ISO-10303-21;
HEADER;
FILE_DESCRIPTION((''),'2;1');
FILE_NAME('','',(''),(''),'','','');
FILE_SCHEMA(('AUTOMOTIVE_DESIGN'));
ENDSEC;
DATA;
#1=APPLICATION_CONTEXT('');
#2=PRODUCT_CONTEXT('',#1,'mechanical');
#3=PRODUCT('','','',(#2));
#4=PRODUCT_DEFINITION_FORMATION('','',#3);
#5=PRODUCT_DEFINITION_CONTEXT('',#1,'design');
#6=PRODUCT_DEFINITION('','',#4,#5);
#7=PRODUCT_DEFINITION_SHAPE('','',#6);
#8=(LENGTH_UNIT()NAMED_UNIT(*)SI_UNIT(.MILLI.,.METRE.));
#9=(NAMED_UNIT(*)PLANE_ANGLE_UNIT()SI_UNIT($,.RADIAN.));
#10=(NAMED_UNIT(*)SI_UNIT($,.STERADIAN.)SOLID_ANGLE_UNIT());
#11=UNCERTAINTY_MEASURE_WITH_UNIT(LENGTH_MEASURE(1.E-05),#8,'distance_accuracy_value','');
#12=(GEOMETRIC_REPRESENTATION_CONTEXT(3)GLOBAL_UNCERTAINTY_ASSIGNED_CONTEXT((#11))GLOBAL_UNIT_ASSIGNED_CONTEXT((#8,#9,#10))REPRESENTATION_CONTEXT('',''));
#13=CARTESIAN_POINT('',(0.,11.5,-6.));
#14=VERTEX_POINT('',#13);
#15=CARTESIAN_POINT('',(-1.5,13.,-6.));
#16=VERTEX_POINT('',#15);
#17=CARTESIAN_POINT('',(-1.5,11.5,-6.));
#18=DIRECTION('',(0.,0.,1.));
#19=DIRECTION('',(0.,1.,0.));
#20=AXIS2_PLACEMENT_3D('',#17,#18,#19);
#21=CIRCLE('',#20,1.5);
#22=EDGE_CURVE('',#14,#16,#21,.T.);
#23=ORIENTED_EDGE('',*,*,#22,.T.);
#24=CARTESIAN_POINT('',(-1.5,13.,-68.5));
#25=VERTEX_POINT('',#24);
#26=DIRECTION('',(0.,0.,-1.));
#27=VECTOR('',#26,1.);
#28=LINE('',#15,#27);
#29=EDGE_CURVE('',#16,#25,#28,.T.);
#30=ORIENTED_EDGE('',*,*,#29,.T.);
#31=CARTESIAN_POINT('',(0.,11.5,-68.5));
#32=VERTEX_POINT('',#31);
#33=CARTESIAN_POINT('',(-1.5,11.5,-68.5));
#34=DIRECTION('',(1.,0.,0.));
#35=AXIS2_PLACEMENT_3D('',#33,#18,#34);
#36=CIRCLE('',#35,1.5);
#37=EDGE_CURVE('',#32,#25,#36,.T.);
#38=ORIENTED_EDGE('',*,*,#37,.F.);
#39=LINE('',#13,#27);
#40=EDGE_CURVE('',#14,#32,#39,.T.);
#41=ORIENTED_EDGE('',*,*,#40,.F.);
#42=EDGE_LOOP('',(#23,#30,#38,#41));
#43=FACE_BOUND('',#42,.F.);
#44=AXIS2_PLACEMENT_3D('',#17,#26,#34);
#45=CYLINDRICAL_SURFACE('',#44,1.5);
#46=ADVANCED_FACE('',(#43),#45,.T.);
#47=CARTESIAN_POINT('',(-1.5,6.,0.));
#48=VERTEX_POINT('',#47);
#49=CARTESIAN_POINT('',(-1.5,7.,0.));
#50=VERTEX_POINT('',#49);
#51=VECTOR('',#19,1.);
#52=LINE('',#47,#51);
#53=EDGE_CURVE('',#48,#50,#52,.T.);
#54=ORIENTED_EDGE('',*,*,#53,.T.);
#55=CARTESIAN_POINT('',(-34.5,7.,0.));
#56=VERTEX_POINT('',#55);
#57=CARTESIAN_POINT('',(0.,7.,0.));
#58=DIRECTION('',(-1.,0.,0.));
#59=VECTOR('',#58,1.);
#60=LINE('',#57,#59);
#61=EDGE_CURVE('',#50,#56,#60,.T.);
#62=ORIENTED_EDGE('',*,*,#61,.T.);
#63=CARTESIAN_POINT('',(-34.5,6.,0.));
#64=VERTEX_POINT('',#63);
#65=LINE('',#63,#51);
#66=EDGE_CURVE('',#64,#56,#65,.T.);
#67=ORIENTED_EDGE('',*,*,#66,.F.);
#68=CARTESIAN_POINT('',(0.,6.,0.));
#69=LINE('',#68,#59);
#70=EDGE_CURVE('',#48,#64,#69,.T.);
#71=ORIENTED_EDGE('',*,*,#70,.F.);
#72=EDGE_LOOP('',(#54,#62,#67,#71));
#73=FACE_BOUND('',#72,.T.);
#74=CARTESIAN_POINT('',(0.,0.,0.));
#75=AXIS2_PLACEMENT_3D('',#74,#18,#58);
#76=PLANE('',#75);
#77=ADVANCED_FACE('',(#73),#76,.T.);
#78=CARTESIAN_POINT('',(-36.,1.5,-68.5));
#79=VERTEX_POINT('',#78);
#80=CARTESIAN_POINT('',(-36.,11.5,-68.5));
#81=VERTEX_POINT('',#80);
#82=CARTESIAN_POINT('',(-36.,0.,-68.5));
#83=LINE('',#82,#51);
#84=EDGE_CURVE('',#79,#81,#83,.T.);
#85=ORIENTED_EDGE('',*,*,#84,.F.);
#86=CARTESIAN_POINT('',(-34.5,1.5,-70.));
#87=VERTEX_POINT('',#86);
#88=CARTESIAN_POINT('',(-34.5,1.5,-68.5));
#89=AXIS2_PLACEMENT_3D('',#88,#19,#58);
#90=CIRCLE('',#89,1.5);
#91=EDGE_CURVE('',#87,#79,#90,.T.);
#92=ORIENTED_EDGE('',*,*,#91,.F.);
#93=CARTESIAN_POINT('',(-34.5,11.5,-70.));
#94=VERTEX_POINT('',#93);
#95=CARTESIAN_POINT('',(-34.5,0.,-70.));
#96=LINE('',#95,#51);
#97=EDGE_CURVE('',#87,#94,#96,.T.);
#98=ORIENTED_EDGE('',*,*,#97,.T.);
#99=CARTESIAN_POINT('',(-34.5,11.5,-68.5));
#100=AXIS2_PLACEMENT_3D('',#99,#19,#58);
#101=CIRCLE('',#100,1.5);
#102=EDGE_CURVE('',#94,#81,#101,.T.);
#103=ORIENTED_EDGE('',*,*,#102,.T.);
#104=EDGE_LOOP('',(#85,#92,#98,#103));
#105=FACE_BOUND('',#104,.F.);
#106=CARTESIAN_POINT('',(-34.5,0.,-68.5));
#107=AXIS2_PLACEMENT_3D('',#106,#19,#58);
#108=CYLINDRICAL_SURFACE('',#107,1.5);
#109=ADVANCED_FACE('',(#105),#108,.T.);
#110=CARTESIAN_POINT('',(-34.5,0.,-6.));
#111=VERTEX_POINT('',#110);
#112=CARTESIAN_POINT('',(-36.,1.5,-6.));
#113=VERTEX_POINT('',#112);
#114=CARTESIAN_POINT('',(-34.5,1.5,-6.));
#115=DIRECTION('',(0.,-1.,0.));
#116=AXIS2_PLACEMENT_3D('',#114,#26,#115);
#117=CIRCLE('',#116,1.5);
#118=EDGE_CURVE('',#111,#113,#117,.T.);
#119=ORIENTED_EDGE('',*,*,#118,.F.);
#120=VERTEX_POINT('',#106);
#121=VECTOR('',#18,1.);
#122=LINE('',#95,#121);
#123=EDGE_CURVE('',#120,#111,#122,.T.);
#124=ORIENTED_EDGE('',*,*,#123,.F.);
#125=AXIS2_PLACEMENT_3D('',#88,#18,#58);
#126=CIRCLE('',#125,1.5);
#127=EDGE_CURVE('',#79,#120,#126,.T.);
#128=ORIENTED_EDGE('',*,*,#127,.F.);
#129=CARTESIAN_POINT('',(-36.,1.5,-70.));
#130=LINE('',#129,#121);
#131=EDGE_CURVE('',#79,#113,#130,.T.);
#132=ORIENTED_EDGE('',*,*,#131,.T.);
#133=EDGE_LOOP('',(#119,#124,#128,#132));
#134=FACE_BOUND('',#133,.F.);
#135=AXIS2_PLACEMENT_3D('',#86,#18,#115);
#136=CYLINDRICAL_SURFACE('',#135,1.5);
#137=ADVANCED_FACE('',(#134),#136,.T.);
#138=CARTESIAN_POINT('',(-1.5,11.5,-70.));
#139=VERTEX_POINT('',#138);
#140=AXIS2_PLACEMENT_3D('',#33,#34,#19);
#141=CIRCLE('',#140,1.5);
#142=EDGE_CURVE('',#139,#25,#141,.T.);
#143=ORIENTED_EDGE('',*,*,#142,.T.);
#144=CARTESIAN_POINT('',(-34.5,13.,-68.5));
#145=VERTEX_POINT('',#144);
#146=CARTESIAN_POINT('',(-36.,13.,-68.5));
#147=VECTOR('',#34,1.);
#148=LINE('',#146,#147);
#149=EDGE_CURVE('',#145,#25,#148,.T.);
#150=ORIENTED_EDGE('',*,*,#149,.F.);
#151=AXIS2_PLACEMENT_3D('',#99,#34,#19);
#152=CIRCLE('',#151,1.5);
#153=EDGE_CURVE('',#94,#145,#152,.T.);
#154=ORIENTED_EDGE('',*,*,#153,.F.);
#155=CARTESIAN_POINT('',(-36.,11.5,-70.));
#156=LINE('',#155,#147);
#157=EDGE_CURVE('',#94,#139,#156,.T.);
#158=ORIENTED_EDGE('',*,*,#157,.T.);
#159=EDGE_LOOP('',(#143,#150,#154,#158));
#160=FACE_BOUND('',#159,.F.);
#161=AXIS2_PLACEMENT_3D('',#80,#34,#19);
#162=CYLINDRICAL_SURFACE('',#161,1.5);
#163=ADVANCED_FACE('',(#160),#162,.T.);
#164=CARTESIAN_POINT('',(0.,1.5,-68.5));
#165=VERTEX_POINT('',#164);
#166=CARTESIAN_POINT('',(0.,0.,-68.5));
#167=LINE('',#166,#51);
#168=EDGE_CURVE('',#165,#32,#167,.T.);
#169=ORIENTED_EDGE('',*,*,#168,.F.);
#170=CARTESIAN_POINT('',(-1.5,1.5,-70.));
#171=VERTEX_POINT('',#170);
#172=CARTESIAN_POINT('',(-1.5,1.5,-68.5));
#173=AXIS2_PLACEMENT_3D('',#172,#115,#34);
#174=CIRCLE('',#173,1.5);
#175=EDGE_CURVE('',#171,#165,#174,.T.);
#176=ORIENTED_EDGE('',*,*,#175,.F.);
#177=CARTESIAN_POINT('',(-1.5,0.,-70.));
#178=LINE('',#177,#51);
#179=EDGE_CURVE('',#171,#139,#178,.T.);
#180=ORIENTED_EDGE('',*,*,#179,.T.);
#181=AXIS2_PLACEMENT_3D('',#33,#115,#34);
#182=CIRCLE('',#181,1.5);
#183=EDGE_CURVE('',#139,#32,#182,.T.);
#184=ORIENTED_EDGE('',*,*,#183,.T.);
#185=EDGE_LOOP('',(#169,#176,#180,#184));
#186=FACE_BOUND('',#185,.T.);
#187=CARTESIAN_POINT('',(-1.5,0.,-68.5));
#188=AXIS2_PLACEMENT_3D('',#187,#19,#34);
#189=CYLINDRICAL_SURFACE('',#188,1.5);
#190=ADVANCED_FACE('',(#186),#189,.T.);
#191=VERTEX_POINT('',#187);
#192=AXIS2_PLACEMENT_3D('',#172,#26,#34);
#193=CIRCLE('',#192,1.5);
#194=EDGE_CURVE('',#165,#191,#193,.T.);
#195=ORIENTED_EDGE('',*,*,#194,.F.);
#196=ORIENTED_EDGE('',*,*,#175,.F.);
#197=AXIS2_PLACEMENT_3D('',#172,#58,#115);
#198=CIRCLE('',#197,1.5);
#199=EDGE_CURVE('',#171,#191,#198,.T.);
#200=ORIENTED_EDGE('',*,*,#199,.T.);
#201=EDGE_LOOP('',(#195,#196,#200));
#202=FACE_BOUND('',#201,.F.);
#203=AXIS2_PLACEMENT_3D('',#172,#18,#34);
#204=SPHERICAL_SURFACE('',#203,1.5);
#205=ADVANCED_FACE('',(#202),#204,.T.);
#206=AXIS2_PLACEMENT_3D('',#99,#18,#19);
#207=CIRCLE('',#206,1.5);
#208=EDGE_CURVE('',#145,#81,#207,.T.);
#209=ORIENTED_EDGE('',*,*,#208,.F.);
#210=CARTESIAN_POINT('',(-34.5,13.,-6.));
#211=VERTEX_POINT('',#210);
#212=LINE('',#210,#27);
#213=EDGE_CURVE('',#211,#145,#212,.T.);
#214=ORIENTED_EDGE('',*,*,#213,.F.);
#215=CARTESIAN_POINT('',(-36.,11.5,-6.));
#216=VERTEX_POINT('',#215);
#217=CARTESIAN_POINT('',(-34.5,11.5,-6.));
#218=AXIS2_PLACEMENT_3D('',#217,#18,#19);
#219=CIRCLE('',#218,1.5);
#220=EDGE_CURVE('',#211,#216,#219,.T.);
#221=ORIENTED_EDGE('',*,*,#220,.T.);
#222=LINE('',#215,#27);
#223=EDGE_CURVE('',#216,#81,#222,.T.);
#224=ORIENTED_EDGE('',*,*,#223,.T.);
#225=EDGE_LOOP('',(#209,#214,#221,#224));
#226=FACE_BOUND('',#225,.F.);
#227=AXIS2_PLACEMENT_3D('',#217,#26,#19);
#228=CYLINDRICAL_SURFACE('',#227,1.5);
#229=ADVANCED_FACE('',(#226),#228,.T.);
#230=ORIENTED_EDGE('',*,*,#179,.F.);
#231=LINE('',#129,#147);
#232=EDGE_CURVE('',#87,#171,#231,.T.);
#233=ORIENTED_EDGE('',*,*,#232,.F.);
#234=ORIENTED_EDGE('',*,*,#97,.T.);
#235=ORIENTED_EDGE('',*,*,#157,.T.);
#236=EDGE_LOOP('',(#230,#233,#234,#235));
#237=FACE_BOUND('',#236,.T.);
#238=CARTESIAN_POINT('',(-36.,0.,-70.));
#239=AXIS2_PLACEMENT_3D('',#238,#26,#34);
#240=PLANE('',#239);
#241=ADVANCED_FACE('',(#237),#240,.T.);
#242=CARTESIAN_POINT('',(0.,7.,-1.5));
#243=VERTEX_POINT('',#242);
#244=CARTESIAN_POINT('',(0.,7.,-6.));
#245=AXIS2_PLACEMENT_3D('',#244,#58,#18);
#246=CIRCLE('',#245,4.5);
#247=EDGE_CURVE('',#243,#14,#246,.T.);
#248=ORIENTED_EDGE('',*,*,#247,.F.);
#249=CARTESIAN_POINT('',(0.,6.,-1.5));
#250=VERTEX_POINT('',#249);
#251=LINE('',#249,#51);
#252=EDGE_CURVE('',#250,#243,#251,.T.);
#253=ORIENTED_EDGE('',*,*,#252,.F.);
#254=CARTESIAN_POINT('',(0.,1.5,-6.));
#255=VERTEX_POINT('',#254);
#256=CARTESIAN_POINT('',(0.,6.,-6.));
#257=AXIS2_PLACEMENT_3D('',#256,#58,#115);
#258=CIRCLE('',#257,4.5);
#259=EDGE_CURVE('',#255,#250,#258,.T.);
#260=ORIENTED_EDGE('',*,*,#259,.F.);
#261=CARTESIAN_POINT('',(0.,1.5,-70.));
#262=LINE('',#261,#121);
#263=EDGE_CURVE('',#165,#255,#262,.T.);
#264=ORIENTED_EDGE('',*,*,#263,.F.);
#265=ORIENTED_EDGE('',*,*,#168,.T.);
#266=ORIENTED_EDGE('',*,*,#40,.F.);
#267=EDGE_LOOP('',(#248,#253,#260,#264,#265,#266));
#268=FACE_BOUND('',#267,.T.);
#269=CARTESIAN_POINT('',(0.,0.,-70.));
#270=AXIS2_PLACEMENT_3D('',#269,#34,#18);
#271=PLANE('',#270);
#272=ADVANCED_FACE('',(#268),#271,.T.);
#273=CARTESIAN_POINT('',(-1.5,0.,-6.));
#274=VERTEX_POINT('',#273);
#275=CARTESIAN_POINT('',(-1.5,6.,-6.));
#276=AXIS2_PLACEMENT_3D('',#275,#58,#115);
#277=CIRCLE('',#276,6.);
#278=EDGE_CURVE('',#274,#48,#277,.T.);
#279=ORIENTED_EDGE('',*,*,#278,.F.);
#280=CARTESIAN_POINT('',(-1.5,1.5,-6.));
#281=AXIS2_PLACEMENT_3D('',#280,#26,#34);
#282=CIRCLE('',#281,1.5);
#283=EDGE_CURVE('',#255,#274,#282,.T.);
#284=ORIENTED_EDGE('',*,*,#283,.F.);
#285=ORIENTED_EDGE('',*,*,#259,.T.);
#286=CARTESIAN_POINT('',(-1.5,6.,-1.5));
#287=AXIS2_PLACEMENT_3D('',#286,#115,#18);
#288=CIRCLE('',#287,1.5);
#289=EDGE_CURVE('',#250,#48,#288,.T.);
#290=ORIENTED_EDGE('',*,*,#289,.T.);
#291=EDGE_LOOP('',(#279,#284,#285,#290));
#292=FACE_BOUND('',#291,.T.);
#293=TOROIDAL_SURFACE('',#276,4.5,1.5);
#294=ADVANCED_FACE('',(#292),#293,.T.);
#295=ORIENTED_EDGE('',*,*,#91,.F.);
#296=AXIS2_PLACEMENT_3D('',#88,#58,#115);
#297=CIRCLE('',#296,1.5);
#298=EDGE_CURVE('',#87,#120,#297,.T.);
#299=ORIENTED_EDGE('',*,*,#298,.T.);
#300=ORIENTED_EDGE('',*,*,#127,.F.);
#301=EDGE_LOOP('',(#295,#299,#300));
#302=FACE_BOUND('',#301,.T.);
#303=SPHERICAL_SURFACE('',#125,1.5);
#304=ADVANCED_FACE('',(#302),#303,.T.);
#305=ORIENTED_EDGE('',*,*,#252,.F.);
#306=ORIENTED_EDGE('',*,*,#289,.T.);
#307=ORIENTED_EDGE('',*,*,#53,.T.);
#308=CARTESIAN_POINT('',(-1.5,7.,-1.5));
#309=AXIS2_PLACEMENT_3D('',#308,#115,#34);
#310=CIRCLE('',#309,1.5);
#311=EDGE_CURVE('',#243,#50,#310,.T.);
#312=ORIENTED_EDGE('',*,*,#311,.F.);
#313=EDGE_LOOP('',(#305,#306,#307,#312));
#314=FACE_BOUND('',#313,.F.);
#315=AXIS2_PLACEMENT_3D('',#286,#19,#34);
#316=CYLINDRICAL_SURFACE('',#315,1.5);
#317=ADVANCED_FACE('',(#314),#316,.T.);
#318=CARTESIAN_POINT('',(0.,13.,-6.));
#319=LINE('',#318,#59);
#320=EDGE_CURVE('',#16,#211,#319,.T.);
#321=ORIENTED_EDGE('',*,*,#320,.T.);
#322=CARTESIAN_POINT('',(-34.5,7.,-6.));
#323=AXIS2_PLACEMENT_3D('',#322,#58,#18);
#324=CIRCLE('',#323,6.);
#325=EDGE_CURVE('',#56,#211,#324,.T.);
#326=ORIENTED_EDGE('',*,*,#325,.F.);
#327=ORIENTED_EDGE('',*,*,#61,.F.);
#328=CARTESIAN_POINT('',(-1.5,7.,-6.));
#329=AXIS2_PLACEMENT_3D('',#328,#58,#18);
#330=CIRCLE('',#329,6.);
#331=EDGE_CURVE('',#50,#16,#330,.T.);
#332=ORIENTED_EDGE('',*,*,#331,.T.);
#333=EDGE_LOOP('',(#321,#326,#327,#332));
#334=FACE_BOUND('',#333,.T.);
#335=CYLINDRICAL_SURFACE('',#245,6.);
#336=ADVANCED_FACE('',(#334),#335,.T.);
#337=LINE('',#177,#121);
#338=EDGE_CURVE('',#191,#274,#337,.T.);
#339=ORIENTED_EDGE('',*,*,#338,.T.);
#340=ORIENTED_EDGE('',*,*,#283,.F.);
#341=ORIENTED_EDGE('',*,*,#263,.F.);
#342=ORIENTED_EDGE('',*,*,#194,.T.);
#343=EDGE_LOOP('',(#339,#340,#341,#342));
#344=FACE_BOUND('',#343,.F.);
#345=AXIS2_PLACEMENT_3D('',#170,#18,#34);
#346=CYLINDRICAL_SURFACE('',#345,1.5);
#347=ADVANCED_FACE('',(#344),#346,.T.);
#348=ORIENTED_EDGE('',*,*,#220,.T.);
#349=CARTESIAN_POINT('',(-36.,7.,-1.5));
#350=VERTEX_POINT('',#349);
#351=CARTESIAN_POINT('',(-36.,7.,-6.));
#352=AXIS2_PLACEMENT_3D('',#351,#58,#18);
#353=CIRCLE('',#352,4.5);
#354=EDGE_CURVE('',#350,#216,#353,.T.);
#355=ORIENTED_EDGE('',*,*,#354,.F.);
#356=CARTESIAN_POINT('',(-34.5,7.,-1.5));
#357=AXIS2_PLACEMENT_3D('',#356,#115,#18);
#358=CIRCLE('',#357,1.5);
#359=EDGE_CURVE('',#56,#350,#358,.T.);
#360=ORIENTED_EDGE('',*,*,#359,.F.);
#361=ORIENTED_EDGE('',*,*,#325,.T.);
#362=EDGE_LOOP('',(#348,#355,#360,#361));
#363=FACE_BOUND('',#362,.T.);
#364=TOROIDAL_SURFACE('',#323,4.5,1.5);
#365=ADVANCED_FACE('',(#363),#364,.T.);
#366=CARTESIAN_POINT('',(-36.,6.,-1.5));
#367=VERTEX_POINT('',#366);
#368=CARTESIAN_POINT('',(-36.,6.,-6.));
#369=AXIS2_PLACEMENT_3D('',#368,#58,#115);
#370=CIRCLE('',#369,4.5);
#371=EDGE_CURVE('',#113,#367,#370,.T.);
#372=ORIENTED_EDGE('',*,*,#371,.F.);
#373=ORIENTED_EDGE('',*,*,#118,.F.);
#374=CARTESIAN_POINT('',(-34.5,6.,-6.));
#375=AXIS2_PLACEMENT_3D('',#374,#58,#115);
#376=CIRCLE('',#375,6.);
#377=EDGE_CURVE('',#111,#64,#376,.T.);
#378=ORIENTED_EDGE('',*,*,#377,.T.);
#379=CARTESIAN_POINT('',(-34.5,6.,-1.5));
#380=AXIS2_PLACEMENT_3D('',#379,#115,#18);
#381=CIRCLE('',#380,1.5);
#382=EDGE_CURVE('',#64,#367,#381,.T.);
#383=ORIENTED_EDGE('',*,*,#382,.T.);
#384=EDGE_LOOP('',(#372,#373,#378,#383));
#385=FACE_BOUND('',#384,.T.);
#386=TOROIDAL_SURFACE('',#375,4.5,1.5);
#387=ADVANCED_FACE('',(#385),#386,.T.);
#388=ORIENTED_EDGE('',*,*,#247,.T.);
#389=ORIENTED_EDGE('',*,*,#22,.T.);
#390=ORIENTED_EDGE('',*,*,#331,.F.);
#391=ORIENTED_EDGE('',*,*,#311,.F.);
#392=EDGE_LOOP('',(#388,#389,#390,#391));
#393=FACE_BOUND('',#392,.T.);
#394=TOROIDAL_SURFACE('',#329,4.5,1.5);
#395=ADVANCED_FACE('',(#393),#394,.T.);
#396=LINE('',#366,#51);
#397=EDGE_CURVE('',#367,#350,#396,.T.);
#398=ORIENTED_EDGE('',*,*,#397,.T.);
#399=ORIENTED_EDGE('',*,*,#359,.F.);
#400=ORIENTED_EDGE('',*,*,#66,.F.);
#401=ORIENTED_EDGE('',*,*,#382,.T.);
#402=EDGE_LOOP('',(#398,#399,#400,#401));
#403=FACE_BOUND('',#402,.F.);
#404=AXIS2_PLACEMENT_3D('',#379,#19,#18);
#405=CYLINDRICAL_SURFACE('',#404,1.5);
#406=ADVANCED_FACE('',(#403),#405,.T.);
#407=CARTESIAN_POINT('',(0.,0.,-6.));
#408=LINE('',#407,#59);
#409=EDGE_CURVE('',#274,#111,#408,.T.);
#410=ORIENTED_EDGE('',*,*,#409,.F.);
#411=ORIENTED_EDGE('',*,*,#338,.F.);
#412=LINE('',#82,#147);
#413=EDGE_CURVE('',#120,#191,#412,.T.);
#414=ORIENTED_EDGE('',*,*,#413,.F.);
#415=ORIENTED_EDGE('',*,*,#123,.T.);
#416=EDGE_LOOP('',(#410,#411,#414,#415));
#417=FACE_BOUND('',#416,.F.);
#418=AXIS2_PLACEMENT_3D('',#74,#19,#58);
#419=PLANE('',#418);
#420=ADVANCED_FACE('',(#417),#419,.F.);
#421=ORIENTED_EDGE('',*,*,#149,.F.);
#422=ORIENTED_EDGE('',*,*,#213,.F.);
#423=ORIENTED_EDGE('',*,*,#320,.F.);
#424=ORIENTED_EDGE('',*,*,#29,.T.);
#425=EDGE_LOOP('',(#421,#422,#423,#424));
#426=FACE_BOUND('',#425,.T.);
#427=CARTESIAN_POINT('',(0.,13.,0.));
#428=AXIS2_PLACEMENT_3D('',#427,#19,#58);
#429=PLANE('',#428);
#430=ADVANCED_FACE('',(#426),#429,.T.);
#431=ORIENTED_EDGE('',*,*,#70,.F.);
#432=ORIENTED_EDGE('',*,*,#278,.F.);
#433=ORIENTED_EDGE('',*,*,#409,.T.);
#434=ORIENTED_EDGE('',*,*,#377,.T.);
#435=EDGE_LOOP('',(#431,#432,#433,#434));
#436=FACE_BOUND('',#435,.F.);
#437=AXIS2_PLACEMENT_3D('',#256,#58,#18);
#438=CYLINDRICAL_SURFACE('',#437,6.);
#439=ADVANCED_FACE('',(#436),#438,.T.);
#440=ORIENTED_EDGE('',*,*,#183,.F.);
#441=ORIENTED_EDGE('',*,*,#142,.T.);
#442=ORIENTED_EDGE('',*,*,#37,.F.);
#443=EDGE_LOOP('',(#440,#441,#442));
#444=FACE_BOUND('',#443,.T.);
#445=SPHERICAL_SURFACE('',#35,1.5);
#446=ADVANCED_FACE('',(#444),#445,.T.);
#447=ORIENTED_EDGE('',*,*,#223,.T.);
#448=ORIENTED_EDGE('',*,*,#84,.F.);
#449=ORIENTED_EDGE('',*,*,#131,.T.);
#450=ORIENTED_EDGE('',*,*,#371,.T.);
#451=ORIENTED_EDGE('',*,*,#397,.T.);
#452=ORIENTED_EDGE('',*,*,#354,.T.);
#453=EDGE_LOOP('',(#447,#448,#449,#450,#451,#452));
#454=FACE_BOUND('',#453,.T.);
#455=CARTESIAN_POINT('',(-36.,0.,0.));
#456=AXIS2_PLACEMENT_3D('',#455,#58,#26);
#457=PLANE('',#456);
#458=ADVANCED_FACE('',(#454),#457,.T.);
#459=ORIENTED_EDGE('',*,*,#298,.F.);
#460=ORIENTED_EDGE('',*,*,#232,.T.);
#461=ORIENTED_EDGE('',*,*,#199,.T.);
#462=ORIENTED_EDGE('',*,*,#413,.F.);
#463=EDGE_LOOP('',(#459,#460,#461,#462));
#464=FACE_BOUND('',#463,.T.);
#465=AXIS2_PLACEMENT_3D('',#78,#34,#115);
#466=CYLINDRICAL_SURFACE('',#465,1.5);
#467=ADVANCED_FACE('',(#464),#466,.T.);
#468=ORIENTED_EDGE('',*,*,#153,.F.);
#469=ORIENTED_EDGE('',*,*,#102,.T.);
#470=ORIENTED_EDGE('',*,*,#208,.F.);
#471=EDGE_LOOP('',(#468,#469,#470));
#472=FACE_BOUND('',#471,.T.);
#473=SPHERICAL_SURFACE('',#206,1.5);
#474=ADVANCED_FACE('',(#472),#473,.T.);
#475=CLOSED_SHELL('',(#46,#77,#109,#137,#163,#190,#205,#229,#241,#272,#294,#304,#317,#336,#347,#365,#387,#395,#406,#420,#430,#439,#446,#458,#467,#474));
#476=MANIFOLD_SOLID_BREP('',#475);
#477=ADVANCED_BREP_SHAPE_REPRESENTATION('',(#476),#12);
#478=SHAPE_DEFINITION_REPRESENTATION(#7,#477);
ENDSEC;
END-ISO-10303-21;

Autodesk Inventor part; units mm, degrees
ref_plane "YZ Plane" through (0, 0, 0) normal (1, 0, 0) x (0, 1, 0)
ref_plane "XZ Plane" through (0, 0, 0) normal (0, 1, 0) x (-1, 0, 0)
ref_plane "XY Plane" through (0, 0, 0) normal (0, 0, 1) x (1, 0, 0)
sketch "Sketch1" plane through (0, 0, 0) normal (0, 1, 0) x (-1, 0, 0)
  line L0 (0, 0) -> (36, 0)
  line L1 (36, 0) -> (36, -70)
  line L2 (36, -70) -> (0, -70)
  line L3 (0, -70) -> (0, 0)
  dimension "d0" = 36
  dimension "d1" = 70
extrude "Extrusion1" add sketch "Sketch1" along normal blind 13
fillet "Fillet1" radius 6 2 edges at (-18, 13, 0) (-18, 0, 0)
fillet "Fillet2" radius 1.5 14 edges at (0, 11.2426, -1.7574) (0, 6.5, 0) (0, 1.7574, -1.7574) (0, 0, -38) (0, 13, -38) (-36, 11.2426, -1.7574) (-36, 6.5, 0) (-36, 1.7574, -1.7574) (-36, 0, -38) (-36, 13, -38) (0, 6.5, -70) (-18, 13, -70) (-36, 6.5, -70) (-18, 0, -70)
properties part number "LIPO 1050"
